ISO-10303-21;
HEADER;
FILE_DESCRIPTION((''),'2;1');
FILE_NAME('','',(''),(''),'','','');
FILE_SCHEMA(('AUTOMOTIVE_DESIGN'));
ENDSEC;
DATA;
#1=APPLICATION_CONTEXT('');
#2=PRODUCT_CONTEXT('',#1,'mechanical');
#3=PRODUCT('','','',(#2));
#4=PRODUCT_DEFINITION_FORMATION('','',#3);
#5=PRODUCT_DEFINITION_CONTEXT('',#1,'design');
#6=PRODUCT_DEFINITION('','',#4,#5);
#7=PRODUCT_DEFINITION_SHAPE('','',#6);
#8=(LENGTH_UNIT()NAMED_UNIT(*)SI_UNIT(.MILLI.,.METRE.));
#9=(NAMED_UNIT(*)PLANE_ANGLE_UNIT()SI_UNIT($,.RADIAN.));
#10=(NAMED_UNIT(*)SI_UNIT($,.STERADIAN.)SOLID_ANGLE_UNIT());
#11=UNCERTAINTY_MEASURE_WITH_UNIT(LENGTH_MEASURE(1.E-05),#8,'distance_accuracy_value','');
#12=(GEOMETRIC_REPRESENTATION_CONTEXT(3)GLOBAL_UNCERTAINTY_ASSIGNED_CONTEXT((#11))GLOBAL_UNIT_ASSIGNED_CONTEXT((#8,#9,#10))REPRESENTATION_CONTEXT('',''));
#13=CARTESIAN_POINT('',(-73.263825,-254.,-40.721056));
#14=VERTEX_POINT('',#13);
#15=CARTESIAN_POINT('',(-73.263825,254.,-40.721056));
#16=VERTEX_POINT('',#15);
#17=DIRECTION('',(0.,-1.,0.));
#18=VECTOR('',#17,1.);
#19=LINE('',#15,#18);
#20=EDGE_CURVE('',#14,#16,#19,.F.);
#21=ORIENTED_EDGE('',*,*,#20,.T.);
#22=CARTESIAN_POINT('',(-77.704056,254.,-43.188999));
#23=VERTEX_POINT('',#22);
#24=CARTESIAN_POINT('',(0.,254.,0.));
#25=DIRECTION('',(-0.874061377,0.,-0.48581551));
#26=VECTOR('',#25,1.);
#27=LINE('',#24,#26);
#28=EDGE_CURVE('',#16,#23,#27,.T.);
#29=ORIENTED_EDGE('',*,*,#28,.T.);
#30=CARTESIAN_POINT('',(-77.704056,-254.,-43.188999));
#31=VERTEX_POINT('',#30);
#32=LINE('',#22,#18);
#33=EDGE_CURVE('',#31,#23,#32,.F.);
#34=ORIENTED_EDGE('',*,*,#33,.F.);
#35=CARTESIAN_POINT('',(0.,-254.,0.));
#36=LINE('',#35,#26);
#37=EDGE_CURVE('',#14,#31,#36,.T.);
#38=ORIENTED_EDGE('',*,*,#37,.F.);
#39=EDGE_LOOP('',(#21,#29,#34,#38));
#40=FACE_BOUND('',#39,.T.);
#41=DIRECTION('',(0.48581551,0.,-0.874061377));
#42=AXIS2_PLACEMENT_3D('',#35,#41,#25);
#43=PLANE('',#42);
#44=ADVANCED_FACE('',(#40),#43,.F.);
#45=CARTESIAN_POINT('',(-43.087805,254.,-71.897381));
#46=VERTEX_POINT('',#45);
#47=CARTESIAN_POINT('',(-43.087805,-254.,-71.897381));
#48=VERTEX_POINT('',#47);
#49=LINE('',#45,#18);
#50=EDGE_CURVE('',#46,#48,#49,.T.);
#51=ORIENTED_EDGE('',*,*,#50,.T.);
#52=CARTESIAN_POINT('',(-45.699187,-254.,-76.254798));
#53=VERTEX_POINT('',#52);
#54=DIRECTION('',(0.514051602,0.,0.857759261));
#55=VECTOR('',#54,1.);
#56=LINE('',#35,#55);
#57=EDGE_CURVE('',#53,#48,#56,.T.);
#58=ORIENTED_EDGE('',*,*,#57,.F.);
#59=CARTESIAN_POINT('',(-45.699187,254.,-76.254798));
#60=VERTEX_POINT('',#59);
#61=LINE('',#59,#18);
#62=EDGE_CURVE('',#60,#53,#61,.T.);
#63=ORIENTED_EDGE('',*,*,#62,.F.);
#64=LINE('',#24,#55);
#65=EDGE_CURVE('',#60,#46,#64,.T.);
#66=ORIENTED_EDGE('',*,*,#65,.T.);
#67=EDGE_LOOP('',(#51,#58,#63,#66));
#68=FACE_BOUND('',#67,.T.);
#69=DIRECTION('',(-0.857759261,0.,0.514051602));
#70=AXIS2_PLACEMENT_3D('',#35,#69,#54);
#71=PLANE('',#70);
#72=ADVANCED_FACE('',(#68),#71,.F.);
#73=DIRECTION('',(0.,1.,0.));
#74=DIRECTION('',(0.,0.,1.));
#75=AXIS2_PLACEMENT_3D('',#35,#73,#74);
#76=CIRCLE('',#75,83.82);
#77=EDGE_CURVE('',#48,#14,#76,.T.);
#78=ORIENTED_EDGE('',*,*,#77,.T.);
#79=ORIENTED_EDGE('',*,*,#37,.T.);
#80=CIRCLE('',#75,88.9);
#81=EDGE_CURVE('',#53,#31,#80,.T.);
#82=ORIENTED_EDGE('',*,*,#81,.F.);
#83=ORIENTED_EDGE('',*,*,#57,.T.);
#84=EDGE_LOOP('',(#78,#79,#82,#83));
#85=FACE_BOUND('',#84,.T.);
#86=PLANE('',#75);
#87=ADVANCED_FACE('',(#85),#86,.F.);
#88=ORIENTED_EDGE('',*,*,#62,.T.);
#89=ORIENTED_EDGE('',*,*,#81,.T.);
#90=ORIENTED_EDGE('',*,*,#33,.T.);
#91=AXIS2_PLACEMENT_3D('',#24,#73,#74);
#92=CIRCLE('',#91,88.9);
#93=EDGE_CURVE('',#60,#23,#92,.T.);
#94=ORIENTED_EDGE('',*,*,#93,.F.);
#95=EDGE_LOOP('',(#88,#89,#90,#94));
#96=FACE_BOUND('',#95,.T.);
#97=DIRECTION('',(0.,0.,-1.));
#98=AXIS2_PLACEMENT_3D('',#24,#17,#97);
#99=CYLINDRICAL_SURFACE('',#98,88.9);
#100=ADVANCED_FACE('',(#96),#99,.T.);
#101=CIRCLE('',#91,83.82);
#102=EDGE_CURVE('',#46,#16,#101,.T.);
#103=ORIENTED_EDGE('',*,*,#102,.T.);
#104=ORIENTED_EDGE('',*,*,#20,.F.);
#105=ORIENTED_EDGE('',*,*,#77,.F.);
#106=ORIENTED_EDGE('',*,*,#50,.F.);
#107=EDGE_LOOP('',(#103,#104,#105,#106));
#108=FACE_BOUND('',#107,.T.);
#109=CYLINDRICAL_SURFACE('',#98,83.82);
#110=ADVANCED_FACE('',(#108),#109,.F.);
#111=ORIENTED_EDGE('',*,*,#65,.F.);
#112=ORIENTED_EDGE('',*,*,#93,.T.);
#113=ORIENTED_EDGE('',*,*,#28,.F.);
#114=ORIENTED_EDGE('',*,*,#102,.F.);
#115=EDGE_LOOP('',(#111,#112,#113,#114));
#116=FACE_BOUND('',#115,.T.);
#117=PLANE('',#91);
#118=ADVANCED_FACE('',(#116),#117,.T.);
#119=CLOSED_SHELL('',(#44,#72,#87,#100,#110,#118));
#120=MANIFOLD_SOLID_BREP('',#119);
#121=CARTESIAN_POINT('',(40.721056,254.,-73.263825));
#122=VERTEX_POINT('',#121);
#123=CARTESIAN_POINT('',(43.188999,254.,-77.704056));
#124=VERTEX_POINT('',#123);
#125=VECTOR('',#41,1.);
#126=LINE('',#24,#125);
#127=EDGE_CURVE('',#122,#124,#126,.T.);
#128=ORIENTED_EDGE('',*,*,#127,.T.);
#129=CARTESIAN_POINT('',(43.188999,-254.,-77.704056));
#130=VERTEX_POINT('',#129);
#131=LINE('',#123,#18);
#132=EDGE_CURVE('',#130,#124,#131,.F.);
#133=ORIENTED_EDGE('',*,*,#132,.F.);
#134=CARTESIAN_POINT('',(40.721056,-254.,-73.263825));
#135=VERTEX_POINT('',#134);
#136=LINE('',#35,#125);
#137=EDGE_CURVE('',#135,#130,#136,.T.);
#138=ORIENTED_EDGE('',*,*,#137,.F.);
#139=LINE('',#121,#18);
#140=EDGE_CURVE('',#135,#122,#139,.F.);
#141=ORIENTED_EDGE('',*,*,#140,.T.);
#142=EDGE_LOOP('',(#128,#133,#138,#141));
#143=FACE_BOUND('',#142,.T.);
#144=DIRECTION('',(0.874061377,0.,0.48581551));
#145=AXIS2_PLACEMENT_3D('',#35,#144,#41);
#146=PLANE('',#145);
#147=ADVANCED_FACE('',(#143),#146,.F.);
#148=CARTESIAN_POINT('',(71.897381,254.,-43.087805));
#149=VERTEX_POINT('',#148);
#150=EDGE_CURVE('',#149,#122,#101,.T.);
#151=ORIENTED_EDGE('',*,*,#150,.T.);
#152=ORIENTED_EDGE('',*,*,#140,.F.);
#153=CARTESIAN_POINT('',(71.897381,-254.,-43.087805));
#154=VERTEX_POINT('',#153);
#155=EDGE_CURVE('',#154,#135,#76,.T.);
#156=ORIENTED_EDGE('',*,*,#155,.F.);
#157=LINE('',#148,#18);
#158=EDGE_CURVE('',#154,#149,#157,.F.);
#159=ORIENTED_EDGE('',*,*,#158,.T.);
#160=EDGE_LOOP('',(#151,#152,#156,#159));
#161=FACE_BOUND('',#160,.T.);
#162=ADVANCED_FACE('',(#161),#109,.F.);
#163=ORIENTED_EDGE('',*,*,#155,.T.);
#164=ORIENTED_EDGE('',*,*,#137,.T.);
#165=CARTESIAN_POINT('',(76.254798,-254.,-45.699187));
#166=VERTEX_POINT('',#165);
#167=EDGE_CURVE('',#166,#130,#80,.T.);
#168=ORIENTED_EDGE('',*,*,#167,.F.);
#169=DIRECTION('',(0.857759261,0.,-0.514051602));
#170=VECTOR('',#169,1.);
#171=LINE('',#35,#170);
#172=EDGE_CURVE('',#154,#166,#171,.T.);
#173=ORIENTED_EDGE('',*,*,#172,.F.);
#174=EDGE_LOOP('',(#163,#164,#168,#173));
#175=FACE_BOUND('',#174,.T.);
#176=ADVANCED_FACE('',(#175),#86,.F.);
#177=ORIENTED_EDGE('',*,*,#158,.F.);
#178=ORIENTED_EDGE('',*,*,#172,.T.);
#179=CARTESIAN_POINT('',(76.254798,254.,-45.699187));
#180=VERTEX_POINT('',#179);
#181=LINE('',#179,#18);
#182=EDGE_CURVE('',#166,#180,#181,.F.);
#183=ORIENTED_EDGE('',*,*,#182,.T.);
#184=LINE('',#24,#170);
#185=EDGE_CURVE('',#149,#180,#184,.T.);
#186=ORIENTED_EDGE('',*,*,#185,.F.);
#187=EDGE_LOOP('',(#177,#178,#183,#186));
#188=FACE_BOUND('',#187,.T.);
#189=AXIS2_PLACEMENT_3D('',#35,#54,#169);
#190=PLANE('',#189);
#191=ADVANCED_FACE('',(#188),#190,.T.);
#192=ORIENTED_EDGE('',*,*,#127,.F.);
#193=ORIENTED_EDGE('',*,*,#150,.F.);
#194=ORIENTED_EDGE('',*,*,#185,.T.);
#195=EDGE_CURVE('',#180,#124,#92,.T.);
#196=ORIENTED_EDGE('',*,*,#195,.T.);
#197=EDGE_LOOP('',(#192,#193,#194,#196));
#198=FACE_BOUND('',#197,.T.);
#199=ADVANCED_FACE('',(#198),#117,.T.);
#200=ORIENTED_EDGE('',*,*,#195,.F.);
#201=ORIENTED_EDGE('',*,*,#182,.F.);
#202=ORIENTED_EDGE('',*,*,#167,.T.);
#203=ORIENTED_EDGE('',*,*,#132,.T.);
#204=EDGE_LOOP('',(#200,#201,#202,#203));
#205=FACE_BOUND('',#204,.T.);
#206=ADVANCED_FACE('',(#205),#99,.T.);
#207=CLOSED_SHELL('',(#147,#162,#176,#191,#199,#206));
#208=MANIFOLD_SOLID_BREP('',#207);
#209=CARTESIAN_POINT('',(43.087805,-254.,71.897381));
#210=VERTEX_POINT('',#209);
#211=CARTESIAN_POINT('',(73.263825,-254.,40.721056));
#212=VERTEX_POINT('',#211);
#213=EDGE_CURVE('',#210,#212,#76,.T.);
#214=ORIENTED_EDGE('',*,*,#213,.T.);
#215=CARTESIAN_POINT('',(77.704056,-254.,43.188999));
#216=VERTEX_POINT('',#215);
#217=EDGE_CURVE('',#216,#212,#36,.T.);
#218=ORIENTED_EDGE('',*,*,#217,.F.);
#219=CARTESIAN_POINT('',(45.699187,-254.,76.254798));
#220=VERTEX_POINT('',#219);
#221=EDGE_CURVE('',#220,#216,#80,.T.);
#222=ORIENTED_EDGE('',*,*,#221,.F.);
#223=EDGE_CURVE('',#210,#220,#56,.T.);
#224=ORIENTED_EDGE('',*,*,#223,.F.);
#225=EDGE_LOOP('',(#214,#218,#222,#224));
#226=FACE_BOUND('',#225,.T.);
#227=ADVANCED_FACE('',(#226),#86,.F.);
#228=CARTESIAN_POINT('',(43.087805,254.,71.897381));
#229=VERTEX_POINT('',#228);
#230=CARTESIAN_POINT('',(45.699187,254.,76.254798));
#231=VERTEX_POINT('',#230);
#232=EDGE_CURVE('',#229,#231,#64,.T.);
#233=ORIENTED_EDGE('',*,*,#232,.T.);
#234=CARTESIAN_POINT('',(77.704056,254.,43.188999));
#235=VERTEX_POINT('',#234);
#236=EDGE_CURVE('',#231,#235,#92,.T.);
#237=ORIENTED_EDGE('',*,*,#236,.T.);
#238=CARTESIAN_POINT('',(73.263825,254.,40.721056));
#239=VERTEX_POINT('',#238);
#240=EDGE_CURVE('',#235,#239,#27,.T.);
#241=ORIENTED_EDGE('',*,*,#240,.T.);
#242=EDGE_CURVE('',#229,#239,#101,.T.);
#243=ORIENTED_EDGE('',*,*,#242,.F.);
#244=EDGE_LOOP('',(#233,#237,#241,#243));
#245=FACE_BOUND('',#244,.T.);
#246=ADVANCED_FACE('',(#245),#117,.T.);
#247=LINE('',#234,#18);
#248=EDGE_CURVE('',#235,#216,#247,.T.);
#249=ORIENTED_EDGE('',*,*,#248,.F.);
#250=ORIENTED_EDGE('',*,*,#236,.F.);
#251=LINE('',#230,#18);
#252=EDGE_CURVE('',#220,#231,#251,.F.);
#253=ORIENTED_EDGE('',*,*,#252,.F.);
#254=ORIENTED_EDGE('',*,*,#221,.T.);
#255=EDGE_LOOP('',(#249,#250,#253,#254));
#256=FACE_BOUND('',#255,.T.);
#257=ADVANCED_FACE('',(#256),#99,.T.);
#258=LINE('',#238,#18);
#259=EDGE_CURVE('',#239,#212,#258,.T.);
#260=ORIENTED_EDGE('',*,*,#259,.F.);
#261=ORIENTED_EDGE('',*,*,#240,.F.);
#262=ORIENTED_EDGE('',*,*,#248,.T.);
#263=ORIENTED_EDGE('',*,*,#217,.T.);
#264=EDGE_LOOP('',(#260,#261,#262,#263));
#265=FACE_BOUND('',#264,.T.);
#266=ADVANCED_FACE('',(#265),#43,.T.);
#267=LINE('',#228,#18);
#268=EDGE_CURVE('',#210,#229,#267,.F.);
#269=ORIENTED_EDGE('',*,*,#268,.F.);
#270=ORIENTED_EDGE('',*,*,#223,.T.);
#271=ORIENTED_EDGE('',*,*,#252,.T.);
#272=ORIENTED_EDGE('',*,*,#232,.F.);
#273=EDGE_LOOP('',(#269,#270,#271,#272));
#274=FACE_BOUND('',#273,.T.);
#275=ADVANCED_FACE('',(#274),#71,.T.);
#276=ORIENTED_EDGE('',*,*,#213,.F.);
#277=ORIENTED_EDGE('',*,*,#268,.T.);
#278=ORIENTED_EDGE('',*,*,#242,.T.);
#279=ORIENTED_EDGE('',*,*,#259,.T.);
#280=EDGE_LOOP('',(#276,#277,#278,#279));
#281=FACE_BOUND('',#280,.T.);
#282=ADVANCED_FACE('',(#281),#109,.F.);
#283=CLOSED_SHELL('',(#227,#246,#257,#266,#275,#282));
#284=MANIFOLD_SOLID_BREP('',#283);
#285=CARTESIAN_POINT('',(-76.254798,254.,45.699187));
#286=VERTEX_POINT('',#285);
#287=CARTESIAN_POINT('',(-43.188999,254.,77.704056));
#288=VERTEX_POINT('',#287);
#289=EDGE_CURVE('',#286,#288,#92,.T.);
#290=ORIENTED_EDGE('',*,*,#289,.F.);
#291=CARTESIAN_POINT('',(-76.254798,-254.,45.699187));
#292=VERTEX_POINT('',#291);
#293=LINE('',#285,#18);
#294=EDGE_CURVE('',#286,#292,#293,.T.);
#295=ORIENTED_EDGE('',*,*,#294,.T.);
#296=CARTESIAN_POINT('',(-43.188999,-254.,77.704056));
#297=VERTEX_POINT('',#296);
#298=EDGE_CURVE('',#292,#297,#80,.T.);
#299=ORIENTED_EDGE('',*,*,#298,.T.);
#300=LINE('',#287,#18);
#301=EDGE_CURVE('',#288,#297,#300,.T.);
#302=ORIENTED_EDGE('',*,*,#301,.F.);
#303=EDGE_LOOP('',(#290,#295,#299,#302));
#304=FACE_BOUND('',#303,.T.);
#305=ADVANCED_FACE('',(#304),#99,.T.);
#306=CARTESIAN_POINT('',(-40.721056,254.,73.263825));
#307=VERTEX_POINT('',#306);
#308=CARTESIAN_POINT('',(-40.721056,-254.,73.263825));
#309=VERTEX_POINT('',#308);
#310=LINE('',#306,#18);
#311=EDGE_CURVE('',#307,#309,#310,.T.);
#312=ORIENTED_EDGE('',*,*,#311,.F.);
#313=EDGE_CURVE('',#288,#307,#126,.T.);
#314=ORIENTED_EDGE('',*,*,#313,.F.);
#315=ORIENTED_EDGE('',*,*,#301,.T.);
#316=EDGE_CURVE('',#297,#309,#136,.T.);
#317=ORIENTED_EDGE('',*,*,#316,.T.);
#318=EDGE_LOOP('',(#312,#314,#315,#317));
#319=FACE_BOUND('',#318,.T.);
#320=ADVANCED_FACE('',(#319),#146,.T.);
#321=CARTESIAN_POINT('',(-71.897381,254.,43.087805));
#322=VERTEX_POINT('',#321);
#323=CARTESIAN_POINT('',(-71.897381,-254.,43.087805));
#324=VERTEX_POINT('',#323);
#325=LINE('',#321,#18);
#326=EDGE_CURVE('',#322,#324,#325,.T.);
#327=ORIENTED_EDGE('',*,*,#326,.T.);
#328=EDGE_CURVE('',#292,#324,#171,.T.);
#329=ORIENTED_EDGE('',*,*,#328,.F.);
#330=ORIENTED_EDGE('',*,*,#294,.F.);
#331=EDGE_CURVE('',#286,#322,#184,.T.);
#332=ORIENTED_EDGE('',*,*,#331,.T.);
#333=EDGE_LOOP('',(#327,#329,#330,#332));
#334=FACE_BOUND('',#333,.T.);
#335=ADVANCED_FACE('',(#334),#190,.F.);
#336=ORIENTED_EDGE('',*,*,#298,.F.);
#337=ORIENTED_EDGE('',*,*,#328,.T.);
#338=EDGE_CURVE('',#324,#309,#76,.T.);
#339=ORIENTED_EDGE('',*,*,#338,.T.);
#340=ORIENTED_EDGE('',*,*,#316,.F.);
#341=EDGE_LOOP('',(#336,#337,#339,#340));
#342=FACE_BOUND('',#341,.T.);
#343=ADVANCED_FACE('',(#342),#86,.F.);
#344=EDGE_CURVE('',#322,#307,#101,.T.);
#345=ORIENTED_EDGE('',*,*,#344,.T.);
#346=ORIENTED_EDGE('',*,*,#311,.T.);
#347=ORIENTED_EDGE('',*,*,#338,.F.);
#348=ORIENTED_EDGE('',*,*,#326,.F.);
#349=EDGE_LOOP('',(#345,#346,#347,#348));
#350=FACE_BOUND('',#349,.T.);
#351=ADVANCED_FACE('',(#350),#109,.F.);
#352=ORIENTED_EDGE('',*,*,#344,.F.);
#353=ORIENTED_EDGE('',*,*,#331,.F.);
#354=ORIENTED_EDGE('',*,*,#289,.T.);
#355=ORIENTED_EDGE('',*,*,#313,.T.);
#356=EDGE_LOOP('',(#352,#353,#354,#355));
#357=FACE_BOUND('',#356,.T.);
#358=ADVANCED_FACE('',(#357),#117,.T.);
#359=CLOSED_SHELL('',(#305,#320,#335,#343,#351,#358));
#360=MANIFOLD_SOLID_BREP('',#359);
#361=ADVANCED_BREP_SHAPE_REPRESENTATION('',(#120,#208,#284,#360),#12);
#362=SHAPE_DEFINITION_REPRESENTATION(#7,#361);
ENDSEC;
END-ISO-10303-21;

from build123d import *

# Parameters (mm, degrees)
SKETCH2_R               = 88.9
SKETCH2_R_2             = 83.82
BOSS_EXTRUDE1_DEPTH     = 254
CUT_EXTRUDE1_DEPTH      = 255
CUT_EXTRUDE1_DEPTH_BACK = 255


with BuildPart() as part:
    # Sketch2 → Boss-Extrude1 (new body, symmetric)
    with BuildSketch(Plane(origin=(0, 0, 0), x_dir=(1, 0, 0), z_dir=(0, 1, 0))):
        Circle(SKETCH2_R)
        Circle(SKETCH2_R_2, mode=Mode.SUBTRACT)
    extrude(amount=BOSS_EXTRUDE1_DEPTH, both=True)

    # Sketch3 → Cut-Extrude1 (cut, two sides)
    with BuildSketch(Plane(origin=(0, 0, 0), x_dir=(1, 0, 0), z_dir=(0, 1, 0))) as cut_extrude1_sk:
        Polygon((169.661755759, -94.300371224), (0, 0), (169.661755759, 101.677593364), align=None)
        Polygon((0, 0), (53.900027233, 96.974944394), (-58.116685864, 96.974944394), align=None)
        Polygon((-123.741299607, 68.777140945), (-123.741299607, -74.157652604), (0, 0), align=None)
        Polygon((-65.840936026, -118.45858783), (0, 0), (70.991745134, -118.45858783), align=None)
    extrude(amount=CUT_EXTRUDE1_DEPTH, mode=Mode.SUBTRACT)
    extrude(cut_extrude1_sk.sketch, amount=-CUT_EXTRUDE1_DEPTH_BACK, mode=Mode.SUBTRACT)


solid = part.part
